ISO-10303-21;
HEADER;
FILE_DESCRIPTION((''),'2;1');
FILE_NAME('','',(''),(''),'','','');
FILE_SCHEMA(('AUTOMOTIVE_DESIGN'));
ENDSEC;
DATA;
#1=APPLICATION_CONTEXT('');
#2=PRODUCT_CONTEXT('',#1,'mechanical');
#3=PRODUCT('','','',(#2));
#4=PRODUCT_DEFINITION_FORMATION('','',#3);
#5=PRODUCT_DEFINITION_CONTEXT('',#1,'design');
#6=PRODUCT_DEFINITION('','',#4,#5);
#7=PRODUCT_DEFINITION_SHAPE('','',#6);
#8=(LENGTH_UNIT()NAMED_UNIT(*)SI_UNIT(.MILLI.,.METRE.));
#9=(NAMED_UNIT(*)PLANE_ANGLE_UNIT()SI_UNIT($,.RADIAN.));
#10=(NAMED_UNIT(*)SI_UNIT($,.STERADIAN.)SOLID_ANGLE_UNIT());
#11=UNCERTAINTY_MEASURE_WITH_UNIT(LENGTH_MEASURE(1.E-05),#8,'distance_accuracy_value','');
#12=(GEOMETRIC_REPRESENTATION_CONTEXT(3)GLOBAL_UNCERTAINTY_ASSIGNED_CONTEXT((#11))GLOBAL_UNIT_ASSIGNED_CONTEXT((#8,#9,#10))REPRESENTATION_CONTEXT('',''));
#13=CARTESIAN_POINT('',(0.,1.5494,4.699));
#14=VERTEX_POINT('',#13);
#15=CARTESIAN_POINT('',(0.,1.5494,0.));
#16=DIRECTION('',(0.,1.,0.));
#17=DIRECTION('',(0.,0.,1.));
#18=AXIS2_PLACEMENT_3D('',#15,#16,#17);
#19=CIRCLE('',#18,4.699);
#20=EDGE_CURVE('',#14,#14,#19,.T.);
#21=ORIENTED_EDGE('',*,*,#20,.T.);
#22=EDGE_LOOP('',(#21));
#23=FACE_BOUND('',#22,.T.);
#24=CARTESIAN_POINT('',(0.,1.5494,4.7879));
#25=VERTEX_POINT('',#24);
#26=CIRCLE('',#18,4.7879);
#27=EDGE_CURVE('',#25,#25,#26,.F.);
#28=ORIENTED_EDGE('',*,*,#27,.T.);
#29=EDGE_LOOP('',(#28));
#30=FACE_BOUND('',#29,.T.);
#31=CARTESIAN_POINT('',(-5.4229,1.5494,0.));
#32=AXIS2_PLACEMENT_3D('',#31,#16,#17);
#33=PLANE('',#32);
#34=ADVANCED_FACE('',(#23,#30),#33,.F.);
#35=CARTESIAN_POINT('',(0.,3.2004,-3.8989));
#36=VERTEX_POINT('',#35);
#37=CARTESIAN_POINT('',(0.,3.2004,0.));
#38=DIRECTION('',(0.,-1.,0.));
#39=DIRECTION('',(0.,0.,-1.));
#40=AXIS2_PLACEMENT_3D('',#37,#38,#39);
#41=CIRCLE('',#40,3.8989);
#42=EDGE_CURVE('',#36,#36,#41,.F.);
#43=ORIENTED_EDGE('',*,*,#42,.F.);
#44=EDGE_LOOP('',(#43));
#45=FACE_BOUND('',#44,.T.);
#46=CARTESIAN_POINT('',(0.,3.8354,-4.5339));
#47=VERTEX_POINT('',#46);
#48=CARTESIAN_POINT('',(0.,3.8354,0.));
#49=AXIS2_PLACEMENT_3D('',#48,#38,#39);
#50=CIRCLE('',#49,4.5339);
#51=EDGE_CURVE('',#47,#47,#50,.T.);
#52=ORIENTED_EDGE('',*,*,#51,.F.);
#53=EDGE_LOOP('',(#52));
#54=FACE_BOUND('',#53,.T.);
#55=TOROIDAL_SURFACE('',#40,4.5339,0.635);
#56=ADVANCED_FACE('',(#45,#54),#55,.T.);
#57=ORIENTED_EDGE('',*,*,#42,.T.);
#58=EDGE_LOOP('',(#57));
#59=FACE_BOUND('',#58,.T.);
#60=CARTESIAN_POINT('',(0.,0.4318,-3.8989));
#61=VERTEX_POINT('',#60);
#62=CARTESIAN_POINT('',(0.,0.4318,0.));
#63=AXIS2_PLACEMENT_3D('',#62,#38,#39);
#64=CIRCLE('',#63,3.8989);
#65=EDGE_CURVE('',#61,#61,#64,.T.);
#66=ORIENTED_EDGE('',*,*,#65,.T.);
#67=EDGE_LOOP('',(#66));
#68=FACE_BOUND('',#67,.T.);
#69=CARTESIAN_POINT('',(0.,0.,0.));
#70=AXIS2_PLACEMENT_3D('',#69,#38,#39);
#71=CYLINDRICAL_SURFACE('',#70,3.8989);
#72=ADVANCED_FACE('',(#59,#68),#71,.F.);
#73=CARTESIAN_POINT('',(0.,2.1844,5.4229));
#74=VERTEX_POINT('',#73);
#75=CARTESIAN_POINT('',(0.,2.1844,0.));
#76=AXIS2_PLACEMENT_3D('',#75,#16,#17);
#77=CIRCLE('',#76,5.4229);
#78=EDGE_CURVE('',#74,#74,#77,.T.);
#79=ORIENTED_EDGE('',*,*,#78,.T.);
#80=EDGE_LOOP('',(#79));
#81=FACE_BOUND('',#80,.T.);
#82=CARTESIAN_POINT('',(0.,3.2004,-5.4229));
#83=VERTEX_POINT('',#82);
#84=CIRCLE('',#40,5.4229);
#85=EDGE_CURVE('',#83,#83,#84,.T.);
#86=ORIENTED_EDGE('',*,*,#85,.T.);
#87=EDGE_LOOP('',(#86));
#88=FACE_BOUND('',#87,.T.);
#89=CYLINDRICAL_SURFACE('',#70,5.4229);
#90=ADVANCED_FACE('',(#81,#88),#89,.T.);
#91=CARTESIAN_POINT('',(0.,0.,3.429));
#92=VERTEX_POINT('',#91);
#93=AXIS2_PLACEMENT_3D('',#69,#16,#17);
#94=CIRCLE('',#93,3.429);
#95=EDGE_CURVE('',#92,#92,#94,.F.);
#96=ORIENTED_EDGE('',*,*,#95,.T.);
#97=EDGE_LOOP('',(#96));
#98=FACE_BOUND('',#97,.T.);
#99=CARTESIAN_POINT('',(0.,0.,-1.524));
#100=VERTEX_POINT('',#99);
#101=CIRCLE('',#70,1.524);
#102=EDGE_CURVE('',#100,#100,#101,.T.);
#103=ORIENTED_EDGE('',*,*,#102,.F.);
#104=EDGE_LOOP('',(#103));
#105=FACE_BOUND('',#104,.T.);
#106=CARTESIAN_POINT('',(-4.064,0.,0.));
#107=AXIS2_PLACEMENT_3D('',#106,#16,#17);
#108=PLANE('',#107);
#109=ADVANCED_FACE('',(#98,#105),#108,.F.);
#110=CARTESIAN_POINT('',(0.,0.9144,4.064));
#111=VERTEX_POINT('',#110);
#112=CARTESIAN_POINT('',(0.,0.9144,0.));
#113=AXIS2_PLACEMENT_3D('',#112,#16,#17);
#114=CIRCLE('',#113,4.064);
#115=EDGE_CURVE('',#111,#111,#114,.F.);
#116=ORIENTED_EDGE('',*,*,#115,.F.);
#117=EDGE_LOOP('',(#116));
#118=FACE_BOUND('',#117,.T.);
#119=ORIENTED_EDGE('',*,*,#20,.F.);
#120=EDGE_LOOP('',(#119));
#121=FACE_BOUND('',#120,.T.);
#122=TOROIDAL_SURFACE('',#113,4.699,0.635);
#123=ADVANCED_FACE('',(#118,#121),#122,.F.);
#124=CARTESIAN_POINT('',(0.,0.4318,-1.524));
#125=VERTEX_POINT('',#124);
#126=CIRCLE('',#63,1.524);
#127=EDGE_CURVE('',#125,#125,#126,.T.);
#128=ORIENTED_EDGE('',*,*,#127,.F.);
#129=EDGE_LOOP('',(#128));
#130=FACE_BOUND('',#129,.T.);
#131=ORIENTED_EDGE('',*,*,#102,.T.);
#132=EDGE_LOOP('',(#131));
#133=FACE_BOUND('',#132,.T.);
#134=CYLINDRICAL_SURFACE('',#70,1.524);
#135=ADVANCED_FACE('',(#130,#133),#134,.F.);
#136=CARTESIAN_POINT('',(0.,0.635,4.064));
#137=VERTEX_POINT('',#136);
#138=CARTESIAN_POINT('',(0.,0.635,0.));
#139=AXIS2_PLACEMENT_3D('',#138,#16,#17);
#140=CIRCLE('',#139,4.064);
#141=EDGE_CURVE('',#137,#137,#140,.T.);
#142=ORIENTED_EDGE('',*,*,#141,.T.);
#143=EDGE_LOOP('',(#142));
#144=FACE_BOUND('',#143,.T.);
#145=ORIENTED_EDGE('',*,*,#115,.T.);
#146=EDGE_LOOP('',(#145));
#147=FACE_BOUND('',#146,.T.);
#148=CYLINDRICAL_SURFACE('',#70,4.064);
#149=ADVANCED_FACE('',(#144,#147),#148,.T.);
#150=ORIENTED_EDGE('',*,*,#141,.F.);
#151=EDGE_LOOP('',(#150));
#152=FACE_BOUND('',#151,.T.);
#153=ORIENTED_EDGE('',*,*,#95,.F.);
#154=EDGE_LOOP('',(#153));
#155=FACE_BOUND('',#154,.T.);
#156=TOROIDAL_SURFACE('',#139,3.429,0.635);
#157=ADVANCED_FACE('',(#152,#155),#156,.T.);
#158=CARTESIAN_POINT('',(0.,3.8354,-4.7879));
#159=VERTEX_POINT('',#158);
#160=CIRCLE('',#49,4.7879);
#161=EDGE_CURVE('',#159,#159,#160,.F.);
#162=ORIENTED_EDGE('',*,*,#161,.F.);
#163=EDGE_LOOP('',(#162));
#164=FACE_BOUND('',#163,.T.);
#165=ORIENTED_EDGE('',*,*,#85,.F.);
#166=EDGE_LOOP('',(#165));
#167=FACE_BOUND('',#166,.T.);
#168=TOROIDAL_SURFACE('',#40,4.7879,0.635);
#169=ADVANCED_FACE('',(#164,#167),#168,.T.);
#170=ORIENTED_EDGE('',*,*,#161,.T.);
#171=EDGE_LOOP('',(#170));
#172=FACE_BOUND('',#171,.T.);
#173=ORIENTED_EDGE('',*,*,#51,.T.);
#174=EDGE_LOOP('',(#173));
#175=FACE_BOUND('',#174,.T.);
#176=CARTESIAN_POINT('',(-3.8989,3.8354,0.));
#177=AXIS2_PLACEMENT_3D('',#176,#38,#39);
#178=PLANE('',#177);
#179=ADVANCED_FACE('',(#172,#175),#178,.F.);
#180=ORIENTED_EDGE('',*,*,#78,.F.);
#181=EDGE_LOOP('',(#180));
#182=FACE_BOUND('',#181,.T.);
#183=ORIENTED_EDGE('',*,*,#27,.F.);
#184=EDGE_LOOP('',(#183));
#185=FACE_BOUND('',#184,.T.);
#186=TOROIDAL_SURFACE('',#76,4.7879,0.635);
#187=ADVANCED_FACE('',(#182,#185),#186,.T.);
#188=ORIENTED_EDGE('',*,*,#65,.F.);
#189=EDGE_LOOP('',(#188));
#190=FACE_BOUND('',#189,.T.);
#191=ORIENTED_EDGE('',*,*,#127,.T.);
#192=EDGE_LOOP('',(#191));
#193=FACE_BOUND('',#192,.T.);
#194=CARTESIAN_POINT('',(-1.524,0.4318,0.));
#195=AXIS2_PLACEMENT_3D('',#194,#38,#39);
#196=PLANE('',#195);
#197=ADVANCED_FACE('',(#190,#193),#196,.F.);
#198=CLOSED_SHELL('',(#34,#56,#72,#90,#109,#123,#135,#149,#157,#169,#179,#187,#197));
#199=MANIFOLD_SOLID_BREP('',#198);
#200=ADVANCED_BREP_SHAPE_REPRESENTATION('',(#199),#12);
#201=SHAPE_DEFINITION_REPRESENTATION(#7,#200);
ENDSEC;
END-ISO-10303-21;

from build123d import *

# Parameters (mm, degrees)
FILLET1_R = 0.635


with BuildPart() as part:
    # Sketch1 → Revolve1 (revolve)
    with BuildSketch(Plane.XY, mode=Mode.PRIVATE) as revolve1_sk:
        Polygon((-4.064, 0), (-1.524, 0), (-1.524, 0.4318), (-3.8989, 0.4318), (-3.8989, 3.8354), (-5.4229, 3.8354), (-5.4229, 1.5494), (-4.064, 1.5494), align=None)
    revolve(revolve1_sk.sketch.rotate(Axis((0, 0, 0), (0, 1, 0)), 270), axis=Axis((0, 0, 0), (0, 1, 0)))

    # Fillet1
    fillet1_edges = [part.edges().sort_by_distance(p)[0] for p in [
        (0, 1.5494, 4.064),
        (0, 1.5494, 5.4229),
        (0, 3.8354, 5.4229),
        (0, 3.8354, 3.8989),
        (0, 0, 4.064),
    ]]
    fillet(fillet1_edges, radius=FILLET1_R)


solid = part.part
